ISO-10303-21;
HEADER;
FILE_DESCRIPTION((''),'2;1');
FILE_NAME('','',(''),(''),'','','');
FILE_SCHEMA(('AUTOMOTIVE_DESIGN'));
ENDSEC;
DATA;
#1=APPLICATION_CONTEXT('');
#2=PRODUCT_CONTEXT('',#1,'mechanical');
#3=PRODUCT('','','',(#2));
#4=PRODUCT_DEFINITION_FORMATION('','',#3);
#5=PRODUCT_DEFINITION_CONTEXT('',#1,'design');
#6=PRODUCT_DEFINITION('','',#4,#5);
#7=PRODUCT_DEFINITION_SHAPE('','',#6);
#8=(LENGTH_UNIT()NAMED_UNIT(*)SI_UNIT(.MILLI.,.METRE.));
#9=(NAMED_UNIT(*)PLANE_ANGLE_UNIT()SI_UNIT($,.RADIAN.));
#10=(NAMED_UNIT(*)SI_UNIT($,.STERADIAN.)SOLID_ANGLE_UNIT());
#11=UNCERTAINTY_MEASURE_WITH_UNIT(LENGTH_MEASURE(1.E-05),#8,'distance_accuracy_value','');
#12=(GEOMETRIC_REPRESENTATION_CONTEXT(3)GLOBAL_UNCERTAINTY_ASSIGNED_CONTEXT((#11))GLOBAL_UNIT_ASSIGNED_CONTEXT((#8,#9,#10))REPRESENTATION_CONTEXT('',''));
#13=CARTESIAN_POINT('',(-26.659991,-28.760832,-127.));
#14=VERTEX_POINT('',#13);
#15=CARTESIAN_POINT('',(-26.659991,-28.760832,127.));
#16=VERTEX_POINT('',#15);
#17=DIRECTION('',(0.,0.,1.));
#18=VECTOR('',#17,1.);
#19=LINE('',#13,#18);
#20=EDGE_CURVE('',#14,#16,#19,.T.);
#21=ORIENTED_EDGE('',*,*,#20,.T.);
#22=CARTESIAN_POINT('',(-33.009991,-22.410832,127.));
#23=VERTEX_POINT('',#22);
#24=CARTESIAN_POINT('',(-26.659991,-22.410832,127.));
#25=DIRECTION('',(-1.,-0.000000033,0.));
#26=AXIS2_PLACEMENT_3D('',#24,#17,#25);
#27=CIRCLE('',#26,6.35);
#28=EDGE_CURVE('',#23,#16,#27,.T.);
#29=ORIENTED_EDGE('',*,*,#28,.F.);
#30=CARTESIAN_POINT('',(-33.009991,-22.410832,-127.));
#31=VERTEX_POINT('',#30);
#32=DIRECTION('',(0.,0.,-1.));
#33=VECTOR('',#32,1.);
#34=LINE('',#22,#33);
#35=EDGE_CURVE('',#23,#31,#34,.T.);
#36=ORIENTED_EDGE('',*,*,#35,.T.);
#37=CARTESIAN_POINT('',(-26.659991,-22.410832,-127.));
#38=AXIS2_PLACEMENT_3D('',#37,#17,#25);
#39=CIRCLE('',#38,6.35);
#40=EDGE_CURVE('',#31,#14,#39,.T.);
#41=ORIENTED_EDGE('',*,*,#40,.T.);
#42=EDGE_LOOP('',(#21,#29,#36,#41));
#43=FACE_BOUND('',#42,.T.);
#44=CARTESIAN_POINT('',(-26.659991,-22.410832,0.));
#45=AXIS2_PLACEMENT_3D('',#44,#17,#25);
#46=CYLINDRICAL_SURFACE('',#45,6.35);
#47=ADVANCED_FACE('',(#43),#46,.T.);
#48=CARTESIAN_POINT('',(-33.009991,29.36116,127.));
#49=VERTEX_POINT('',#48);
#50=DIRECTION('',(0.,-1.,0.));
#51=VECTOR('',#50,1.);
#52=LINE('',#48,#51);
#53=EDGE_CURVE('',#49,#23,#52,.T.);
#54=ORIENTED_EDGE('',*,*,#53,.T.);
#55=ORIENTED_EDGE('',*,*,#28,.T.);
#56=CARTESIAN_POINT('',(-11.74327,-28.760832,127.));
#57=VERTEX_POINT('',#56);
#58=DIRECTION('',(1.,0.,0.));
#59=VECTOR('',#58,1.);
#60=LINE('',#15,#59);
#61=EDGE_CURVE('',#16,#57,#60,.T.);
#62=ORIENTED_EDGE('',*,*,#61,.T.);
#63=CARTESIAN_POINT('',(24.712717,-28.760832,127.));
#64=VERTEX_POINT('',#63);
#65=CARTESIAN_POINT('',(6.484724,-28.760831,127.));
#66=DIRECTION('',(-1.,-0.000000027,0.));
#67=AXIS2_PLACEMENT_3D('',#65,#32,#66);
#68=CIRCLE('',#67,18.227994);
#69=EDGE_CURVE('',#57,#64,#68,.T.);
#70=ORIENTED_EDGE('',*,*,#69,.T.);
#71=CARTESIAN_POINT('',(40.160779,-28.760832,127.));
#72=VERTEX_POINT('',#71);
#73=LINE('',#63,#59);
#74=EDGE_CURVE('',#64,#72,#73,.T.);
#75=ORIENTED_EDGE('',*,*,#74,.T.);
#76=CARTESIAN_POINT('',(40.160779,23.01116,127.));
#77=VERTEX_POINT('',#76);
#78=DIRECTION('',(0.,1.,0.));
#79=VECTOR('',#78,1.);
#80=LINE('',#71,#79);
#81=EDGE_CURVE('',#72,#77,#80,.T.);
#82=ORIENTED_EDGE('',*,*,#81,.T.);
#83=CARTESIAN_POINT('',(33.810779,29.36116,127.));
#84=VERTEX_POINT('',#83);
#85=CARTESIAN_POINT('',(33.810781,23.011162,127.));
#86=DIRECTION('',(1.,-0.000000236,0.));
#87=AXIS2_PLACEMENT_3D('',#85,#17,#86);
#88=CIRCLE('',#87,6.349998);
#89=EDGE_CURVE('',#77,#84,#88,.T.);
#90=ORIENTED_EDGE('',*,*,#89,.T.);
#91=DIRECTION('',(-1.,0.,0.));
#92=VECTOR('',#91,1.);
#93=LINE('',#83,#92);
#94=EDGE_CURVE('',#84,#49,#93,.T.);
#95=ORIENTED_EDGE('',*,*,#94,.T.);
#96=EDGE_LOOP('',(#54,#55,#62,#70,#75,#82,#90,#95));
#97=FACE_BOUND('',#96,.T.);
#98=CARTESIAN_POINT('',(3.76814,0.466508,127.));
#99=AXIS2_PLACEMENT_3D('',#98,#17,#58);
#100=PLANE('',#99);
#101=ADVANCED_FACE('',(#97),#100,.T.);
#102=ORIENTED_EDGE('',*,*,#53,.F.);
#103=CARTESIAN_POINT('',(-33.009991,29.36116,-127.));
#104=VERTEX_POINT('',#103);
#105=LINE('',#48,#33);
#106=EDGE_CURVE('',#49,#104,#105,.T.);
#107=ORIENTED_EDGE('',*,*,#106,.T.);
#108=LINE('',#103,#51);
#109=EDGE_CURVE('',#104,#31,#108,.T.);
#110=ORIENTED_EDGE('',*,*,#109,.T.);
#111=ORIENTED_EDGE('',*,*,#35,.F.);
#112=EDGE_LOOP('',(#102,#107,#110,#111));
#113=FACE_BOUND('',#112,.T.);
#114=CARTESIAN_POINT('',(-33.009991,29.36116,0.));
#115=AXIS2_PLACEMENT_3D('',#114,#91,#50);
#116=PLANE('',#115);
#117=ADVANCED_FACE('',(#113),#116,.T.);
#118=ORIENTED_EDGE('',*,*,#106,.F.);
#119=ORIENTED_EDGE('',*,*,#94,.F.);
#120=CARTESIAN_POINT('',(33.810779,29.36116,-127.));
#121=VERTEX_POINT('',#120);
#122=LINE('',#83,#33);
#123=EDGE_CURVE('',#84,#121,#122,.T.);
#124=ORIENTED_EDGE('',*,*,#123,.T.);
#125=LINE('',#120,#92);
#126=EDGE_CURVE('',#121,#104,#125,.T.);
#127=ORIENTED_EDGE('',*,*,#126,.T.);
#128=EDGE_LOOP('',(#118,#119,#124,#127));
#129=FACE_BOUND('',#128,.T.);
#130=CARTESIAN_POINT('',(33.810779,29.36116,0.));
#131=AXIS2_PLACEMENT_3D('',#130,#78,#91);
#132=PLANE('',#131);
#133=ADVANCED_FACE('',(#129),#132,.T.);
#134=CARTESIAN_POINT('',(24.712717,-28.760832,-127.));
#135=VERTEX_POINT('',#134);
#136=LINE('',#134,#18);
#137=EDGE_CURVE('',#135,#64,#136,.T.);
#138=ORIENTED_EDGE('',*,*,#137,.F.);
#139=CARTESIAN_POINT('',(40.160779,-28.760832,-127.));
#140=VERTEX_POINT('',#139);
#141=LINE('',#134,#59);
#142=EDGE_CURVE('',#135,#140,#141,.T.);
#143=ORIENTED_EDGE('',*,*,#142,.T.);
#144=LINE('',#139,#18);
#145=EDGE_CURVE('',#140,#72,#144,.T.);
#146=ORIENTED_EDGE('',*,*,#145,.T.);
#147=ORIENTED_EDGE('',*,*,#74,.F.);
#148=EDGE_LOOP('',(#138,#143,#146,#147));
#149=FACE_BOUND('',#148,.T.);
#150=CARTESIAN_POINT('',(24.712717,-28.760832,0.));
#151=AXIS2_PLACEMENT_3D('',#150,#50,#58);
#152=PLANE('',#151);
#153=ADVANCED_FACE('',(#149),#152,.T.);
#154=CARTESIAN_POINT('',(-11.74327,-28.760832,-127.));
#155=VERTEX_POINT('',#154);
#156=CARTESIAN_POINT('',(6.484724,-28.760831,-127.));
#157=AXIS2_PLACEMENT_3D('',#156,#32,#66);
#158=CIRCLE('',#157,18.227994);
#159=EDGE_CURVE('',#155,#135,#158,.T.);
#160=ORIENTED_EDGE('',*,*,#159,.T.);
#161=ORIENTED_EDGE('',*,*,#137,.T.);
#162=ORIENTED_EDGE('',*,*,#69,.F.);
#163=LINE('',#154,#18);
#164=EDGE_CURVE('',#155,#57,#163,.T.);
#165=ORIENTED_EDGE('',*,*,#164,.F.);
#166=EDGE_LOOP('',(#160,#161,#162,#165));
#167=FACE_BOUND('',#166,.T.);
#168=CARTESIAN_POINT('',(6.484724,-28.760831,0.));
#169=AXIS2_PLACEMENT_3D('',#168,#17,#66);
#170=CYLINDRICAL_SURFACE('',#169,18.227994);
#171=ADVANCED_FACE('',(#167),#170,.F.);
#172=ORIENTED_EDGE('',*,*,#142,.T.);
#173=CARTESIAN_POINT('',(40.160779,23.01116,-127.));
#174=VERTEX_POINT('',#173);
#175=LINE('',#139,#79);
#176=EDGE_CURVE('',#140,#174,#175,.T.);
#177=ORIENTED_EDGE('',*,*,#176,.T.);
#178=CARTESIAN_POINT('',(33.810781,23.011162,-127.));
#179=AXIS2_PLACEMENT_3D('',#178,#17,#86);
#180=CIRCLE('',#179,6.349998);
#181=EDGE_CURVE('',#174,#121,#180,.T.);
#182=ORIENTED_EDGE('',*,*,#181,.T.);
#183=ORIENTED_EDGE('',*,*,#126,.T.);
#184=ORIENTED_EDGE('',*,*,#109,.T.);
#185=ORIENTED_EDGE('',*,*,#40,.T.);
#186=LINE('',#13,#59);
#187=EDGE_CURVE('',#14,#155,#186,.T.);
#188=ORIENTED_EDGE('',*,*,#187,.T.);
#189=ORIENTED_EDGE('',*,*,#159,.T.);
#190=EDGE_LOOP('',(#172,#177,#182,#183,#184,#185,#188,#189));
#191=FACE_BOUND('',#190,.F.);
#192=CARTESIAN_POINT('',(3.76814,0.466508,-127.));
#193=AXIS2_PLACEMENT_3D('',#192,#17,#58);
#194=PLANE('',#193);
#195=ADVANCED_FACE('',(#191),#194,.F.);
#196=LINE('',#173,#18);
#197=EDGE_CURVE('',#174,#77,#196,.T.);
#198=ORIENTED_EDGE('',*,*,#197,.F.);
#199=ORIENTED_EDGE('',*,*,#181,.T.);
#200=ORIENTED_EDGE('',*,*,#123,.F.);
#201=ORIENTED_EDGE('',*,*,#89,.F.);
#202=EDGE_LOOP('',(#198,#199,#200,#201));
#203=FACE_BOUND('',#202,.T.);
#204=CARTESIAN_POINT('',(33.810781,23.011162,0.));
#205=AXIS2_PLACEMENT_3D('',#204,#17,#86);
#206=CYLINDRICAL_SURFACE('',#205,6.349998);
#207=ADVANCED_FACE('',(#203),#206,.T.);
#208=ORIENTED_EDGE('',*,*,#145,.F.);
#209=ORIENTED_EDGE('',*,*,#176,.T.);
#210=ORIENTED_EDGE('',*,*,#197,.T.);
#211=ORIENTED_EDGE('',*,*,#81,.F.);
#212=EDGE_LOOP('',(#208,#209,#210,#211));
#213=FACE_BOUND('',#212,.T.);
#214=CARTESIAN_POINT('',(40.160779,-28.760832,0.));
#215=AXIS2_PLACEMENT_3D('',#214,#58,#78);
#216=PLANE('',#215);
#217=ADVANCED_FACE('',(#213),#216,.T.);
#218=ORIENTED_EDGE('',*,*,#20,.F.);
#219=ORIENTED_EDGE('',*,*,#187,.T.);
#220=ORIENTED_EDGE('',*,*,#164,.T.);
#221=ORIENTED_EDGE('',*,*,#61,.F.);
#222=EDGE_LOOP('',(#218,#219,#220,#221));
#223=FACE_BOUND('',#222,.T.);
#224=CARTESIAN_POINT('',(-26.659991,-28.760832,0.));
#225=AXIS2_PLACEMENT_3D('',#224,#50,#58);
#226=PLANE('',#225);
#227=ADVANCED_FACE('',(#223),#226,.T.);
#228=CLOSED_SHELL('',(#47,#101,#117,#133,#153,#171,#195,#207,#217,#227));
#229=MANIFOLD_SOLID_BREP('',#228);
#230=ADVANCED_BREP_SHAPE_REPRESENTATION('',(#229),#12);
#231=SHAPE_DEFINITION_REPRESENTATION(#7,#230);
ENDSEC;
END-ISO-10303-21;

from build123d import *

# Parameters (mm, degrees)
F1_DEPTH = 127


with BuildPart() as f1:
    # F0 (on Top) → F1 (new body, symmetric)
    with BuildSketch(Plane.XY):
        with BuildLine():
            ThreePointArc((-33.009991, -22.410832), (-31.150119, -26.90096), (-26.659991, -28.760832))
            Line((-26.659991, -28.760832), (-11.74327, -28.760832))
            ThreePointArc((-11.74327, -28.760832), (6.484724, -10.532838), (24.712717, -28.760832))
            Line((24.712717, -28.760832), (40.160779, -28.760832))
            Line((40.160779, -28.760832), (40.160779, 23.01116))
            ThreePointArc((40.160779, 23.01116), (38.300907, 27.501289), (33.810779, 29.36116))
            Line((33.810779, 29.36116), (-33.009991, 29.36116))
            Line((-33.009991, 29.36116), (-33.009991, -22.410832))
        make_face()
    extrude(amount=F1_DEPTH, both=True)


solid = f1.part
